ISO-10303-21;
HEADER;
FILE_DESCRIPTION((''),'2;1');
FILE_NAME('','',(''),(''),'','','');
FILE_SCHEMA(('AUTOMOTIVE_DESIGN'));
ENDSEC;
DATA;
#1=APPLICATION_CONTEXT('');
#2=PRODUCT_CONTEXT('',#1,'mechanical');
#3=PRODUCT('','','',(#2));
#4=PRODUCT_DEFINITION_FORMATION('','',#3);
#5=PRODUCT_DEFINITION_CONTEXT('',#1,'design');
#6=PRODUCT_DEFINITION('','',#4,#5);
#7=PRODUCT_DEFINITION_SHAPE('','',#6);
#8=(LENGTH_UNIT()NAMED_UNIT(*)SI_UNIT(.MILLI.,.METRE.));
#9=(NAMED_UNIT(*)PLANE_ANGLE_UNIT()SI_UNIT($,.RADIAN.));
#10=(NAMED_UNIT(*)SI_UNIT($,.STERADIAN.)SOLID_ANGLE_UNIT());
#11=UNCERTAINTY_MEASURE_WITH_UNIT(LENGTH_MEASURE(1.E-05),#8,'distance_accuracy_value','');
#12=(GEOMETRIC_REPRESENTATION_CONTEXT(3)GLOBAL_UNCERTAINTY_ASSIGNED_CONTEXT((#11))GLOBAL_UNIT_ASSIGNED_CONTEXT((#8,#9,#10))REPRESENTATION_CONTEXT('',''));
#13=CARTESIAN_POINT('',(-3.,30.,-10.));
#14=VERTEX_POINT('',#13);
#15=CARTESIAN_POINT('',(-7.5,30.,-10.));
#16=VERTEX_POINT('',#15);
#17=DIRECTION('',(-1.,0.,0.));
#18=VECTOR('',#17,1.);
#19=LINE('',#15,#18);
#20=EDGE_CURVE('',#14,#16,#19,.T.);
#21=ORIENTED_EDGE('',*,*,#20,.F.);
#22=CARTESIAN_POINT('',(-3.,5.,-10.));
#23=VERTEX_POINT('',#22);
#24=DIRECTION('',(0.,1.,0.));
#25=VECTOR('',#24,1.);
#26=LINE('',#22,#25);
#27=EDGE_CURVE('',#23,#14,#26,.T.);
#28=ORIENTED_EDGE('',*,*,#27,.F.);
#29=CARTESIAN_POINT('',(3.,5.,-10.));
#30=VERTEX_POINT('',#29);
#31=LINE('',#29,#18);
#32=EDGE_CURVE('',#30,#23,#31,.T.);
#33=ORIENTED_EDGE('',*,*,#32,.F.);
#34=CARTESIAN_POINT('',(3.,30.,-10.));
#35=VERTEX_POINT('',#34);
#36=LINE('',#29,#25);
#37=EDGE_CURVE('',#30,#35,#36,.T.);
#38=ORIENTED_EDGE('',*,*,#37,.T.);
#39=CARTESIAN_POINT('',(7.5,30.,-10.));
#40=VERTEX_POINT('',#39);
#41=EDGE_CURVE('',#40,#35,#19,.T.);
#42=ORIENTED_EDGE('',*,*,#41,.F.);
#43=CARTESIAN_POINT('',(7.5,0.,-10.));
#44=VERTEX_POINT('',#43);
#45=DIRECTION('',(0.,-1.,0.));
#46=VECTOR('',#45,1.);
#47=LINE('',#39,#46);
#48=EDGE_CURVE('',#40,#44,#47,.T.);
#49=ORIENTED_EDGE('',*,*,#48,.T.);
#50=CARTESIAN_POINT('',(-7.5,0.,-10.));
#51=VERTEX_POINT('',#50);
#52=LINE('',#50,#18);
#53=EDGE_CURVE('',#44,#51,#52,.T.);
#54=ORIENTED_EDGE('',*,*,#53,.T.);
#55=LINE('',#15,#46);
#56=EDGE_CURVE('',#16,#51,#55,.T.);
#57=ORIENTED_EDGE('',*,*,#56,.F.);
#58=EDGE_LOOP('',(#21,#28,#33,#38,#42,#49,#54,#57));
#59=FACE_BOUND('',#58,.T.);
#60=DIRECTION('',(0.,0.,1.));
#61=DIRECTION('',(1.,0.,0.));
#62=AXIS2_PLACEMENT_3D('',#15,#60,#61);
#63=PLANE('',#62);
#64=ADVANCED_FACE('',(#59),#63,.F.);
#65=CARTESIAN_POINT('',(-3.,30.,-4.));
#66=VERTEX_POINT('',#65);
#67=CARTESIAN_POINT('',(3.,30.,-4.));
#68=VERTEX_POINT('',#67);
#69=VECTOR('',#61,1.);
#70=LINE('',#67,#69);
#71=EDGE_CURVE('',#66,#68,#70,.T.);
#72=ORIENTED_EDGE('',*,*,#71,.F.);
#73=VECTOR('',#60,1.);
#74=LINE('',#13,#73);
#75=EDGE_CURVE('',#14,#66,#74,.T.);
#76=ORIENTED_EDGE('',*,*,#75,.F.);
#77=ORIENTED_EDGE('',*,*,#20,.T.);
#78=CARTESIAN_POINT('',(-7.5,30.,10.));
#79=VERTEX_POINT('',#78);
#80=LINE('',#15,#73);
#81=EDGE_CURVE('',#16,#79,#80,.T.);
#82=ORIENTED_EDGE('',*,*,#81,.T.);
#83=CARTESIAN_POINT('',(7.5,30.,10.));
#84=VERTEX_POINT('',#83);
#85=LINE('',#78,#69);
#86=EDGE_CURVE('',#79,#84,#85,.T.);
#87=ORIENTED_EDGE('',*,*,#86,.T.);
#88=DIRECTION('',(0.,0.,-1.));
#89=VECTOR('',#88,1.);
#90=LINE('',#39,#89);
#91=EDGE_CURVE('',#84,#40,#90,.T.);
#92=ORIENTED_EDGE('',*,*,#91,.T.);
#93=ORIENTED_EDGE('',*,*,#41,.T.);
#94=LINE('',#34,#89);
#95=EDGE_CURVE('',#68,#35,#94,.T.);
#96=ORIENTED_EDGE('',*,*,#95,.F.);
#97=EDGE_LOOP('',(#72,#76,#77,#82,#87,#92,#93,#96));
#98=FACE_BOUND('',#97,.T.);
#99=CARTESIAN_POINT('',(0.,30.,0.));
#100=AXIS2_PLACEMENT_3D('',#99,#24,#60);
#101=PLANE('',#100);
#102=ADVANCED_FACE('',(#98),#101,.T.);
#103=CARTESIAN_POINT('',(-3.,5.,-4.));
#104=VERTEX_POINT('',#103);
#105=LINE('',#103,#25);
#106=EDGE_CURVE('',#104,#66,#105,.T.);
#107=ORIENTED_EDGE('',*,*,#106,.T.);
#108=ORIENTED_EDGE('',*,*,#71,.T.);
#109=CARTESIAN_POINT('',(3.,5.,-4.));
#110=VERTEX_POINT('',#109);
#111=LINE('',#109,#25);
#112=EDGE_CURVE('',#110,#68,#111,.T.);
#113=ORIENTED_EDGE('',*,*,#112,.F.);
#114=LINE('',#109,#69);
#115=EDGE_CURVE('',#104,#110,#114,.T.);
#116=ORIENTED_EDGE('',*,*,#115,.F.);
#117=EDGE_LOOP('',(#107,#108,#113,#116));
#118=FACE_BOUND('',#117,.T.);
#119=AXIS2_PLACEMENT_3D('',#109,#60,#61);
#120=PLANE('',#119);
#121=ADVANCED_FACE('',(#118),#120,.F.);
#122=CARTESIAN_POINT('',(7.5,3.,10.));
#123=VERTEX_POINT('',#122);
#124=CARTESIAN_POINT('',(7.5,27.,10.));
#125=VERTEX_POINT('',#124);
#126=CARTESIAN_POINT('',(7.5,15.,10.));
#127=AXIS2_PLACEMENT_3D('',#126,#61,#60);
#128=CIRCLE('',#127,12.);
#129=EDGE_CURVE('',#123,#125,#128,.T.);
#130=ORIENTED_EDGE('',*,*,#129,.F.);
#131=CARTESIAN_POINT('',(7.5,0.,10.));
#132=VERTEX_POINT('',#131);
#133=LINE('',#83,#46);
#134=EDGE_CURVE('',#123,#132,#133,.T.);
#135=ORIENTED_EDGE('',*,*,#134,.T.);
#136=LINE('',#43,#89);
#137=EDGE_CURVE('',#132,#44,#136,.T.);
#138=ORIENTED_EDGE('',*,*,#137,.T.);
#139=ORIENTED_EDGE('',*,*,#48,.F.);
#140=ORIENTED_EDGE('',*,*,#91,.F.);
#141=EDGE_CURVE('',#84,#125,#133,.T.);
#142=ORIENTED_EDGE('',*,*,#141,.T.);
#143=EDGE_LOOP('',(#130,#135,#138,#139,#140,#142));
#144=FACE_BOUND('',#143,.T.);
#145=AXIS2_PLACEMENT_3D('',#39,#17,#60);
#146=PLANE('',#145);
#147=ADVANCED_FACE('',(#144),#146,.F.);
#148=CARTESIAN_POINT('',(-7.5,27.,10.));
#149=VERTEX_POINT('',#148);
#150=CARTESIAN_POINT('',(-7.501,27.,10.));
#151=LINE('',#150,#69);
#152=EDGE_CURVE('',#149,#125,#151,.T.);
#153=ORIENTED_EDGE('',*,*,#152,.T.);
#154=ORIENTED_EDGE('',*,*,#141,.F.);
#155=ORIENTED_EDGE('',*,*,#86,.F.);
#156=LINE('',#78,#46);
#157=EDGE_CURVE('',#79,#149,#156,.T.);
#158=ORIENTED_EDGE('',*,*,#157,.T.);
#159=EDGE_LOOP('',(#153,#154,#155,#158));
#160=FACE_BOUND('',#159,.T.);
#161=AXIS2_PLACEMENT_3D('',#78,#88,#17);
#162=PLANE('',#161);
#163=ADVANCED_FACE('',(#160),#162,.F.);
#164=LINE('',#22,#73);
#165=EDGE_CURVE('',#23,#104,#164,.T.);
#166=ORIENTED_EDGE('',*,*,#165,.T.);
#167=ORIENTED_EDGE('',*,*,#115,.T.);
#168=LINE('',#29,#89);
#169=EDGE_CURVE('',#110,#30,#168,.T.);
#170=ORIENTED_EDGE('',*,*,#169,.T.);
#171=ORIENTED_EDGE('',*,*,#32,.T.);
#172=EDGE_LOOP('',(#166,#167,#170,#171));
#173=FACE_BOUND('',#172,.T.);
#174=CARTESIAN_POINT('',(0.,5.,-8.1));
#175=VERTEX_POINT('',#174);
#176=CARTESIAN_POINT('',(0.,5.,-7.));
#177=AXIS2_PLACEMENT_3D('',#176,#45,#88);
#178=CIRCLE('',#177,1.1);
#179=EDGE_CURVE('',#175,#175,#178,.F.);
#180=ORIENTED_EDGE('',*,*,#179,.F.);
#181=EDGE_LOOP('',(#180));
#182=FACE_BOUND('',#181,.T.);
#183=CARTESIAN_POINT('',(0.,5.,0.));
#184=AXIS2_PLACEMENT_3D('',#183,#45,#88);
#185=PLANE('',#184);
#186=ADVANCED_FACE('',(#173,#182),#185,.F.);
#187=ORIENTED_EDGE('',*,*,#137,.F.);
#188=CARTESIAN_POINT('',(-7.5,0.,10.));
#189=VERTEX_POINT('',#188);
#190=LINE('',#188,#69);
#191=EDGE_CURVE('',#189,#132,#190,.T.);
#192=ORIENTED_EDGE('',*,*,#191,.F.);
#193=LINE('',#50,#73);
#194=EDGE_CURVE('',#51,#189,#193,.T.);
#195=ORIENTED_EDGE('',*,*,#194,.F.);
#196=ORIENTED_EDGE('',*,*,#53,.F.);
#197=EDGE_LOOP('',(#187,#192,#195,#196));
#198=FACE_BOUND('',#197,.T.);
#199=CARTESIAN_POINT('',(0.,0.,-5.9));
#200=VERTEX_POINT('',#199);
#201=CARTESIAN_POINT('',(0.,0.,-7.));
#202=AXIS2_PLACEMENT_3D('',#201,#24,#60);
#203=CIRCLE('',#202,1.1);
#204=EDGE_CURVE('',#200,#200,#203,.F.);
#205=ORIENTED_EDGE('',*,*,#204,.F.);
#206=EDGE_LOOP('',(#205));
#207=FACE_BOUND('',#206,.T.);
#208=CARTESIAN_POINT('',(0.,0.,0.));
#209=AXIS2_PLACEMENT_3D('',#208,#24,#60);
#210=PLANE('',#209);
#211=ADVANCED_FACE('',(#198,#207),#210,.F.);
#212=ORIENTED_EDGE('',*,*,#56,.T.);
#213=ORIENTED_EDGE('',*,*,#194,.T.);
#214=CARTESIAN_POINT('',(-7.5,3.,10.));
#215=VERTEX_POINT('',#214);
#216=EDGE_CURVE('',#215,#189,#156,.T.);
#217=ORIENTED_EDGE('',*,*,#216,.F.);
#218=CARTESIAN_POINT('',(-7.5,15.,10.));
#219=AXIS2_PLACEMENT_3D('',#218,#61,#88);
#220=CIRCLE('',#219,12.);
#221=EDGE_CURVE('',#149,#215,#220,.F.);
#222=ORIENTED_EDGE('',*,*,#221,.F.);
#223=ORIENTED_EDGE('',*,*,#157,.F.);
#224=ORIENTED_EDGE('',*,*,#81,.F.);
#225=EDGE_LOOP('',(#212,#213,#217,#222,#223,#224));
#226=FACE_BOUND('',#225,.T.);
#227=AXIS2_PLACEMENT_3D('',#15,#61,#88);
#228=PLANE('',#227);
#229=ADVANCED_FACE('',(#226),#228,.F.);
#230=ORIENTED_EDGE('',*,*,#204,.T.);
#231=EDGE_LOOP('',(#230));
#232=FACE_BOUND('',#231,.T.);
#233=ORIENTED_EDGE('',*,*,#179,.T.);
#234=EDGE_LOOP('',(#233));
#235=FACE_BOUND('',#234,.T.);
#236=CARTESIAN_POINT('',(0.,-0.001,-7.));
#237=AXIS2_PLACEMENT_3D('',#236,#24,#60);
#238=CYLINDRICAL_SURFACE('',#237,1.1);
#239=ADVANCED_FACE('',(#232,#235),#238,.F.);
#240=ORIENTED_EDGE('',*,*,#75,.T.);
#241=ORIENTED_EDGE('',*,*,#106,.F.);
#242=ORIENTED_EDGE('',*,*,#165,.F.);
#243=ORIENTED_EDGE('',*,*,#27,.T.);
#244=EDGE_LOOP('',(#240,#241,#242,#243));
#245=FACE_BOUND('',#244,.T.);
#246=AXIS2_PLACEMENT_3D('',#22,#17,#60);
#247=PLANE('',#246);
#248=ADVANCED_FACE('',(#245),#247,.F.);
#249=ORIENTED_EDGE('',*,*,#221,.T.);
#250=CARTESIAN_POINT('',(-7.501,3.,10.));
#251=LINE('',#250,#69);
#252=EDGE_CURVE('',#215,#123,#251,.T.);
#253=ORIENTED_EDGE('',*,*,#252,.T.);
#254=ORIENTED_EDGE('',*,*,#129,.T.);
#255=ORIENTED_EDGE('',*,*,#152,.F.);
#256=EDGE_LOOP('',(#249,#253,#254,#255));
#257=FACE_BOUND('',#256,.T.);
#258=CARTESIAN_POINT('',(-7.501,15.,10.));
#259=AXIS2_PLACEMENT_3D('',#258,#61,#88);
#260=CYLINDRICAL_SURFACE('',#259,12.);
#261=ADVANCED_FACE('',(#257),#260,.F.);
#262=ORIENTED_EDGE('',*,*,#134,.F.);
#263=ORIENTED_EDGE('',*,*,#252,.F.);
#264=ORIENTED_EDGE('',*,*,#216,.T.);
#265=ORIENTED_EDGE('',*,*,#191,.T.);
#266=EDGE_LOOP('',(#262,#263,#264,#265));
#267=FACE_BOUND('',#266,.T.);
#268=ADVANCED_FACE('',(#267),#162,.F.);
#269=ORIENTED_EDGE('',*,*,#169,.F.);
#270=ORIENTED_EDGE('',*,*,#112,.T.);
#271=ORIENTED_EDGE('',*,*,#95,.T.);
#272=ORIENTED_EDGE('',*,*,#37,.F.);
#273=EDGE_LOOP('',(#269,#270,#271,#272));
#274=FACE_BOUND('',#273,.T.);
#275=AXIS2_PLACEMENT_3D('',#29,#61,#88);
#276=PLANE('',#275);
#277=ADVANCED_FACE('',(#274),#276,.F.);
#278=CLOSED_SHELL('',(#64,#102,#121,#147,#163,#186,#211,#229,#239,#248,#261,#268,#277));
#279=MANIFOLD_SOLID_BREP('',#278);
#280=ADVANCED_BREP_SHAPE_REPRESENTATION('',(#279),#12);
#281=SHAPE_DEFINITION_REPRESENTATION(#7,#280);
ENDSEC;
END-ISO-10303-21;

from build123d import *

# Parameters (mm, degrees)
SKETCH1_W           = 15
SKETCH1_H           = 20
BOSS_EXTRUDE1_DEPTH = 30
CUT_EXTRUDE1_REACH  = 37
SKETCH4_W           = 6
SKETCH4_H           = 6
CUT_EXTRUDE4_DEPTH  = 25
CUT_EXTRUDE2_REACH  = 34.5
SKETCH3_R           = 1.1


with BuildPart() as part:
    # Sketch1 → Boss-Extrude1 (new body)
    with BuildSketch(Plane(origin=(0, 0, 0), x_dir=(1, 0, 0), z_dir=(0, 1, 0))):
        Rectangle(SKETCH1_W, SKETCH1_H)
    extrude(amount=BOSS_EXTRUDE1_DEPTH)

    # Sketch2 → Cut-Extrude1 (cut, up to next)
    with BuildSketch(Plane(origin=(7.5, 0, 0), x_dir=(0, 0, -1), z_dir=(1, 0, 0)), mode=Mode.PRIVATE) as cut_extrude1_sk1:
        with BuildLine():
            Line((-10, 3), (-10, 27))
            ThreePointArc((-10, 27), (2, 15), (-10, 3))
        make_face()
    cut_extrude1_tool1 = extrude(cut_extrude1_sk1.sketch, amount=-CUT_EXTRUDE1_REACH, mode=Mode.PRIVATE) & part.part
    add(cut_extrude1_tool1.solids().sort_by_distance((7.5, 15, 4.907042))[0], mode=Mode.SUBTRACT)

    # Sketch4 → Cut-Extrude4 (cut)
    with BuildSketch(Plane(origin=(0, 30, 0), x_dir=(1, 0, 0), z_dir=(0, 1, 0))):
        with Locations((0, 7)):
            Rectangle(SKETCH4_W, SKETCH4_H)
    extrude(amount=-CUT_EXTRUDE4_DEPTH, mode=Mode.SUBTRACT)

    # Sketch3 → Cut-Extrude2 (cut, up to next)
    with BuildSketch(Plane(origin=(0, 30, 0), x_dir=(1, 0, 0), z_dir=(0, 1, 0)), mode=Mode.PRIVATE) as cut_extrude2_sk1:
        with Locations(Location((0, 7, 0), (0, 0, 270))):
            Circle(SKETCH3_R)
    cut_extrude2_tool1 = extrude(cut_extrude2_sk1.sketch, amount=-CUT_EXTRUDE2_REACH, mode=Mode.PRIVATE) & part.part
    add(cut_extrude2_tool1.solids().sort_by_distance((0, 30, -7))[0], mode=Mode.SUBTRACT)


solid = part.part
